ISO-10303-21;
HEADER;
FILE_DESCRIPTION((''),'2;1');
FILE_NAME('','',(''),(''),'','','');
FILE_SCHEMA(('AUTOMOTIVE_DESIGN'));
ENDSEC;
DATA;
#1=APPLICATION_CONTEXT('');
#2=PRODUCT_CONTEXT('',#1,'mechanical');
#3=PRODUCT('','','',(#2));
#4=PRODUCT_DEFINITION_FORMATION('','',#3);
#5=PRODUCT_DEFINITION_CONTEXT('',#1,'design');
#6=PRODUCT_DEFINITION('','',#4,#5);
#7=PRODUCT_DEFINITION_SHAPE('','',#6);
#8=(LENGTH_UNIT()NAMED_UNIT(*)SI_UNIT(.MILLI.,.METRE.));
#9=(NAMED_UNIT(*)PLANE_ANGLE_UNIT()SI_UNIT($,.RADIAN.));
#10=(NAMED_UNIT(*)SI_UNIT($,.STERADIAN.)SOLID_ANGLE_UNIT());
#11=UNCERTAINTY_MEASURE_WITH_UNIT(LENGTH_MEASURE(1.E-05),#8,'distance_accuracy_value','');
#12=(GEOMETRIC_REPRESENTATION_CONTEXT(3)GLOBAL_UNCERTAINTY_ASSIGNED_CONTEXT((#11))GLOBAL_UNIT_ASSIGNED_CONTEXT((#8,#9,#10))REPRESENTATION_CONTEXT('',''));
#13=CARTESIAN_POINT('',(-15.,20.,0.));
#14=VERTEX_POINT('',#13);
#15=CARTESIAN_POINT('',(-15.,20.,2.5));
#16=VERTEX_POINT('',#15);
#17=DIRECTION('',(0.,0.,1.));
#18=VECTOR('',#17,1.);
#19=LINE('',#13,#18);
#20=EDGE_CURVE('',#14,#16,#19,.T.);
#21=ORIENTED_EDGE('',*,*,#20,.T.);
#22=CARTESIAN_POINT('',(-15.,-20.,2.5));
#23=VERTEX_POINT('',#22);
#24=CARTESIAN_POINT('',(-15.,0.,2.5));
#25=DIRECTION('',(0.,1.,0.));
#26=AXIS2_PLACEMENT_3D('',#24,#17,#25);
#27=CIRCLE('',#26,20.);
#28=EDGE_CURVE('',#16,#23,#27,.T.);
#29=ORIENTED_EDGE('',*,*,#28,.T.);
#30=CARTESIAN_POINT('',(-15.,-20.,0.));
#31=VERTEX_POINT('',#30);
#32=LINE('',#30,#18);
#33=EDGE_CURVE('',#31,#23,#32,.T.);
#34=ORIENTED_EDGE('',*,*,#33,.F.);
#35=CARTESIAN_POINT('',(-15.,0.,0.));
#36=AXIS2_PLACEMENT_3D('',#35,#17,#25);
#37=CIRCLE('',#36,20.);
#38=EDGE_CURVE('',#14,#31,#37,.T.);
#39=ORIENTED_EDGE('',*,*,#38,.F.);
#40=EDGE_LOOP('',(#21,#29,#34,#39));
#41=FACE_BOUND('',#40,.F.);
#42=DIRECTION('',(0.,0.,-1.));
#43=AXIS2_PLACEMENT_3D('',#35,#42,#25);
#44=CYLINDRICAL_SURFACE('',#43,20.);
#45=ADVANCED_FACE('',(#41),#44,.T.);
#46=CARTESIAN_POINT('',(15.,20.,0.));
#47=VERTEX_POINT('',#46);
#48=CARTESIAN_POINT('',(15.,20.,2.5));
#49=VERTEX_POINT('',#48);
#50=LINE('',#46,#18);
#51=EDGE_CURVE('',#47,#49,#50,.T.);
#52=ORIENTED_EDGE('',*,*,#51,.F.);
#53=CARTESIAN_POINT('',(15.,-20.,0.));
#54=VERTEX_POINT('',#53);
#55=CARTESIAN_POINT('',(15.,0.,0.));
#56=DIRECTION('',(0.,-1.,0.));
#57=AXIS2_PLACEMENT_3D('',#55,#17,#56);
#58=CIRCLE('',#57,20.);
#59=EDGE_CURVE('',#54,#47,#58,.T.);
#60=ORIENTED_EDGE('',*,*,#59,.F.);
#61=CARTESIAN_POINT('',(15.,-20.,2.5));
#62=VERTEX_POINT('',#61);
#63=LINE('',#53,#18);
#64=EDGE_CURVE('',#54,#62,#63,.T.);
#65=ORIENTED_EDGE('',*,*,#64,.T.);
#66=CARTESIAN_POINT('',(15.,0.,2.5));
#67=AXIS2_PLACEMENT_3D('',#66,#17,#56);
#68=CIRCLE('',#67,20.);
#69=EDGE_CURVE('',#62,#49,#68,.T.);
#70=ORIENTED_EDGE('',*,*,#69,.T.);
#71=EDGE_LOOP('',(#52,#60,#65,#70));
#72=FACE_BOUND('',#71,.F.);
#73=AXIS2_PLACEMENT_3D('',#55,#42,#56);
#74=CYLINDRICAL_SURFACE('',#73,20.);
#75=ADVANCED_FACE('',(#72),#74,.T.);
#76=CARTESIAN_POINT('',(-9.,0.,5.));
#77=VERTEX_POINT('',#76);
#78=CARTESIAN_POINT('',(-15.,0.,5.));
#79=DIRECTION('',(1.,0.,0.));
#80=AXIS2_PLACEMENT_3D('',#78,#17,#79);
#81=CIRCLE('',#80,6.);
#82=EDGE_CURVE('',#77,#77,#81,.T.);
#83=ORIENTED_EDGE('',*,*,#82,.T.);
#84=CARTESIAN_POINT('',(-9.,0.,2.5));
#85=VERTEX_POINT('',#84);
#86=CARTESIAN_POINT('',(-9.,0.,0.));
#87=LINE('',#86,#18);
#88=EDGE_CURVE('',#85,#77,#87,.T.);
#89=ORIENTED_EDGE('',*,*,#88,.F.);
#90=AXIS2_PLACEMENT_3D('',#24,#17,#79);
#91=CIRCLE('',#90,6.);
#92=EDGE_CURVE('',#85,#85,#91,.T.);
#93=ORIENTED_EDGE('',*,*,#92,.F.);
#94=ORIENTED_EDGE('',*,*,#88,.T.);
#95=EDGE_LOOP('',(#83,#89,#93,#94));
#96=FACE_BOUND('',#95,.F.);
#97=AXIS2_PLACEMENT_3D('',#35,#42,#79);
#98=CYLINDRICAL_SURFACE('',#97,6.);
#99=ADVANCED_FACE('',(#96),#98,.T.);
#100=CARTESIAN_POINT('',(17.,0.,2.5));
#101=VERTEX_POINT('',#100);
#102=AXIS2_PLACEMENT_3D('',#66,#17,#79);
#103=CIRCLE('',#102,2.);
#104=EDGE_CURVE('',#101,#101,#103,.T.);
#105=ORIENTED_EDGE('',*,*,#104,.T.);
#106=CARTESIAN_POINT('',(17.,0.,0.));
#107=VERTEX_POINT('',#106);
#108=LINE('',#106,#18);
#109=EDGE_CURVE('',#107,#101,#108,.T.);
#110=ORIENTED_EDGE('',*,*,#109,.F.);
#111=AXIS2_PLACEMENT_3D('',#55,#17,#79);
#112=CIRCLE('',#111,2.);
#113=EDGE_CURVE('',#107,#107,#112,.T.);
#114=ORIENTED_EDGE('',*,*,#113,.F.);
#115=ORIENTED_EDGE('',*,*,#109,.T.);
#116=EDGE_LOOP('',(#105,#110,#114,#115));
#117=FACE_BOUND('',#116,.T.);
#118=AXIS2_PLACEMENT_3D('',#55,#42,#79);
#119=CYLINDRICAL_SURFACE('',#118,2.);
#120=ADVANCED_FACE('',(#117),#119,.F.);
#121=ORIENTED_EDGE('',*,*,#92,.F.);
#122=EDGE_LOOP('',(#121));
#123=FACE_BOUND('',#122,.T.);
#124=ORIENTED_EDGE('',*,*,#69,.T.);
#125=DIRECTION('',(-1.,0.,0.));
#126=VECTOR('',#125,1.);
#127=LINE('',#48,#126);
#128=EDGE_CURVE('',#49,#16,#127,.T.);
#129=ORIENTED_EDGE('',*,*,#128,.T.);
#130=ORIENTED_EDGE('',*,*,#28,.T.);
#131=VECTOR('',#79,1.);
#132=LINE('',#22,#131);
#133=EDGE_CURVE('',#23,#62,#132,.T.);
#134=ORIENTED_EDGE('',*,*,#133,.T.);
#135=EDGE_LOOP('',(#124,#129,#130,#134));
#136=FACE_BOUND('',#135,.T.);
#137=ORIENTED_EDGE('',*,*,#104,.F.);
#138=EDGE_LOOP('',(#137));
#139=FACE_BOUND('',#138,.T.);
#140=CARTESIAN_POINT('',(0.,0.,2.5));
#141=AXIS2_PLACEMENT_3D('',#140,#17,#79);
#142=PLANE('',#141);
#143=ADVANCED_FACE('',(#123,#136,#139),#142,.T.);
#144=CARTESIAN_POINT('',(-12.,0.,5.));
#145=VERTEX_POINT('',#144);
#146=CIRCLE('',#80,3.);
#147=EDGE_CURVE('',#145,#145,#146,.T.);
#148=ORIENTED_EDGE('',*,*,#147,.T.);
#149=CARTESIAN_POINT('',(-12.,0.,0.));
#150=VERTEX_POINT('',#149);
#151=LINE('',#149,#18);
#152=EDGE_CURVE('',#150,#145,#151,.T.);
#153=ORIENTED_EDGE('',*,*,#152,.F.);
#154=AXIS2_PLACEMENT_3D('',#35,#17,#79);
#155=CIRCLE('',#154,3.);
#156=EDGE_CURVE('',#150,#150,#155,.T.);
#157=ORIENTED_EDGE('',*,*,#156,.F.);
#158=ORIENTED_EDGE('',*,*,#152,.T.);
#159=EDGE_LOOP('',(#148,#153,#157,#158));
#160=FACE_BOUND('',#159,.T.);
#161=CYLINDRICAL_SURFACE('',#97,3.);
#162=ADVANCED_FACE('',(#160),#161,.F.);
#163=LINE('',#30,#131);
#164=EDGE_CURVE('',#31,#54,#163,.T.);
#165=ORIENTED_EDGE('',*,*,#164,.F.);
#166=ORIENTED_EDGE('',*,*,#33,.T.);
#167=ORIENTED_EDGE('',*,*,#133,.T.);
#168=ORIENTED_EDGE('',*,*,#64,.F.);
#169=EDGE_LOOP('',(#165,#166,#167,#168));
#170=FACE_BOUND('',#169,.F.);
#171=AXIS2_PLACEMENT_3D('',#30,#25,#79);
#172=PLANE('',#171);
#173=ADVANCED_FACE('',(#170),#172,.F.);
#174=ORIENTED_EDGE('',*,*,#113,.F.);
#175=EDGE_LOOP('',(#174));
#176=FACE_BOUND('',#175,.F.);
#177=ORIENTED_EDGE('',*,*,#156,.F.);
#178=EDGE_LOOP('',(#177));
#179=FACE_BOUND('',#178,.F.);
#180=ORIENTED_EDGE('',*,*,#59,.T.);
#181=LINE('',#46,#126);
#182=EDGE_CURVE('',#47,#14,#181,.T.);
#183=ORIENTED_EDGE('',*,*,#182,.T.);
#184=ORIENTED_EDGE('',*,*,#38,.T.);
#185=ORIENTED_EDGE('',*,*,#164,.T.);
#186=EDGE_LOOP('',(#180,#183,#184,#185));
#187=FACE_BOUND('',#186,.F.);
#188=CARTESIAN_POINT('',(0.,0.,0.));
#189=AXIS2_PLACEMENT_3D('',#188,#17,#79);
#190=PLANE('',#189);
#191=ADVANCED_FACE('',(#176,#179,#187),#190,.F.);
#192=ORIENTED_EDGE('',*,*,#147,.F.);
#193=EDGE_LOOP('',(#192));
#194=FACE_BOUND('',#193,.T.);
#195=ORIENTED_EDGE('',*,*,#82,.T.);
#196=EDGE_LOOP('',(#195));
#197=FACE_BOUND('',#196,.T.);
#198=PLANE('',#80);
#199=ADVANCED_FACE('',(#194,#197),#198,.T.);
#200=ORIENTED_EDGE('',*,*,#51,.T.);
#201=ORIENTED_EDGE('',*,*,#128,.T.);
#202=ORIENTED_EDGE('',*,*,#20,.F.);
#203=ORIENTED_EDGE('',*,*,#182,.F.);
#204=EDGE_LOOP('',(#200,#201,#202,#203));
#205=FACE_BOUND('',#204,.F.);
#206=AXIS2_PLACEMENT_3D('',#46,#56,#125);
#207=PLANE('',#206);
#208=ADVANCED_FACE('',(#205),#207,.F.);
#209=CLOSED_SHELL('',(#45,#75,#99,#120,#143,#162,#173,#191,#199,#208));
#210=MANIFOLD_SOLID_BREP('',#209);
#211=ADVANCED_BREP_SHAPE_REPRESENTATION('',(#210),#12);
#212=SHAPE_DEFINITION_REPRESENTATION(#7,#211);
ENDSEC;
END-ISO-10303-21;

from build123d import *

# Parameters (mm, degrees)
F0_R     = 6
F0_R_2   = 2
F1_DEPTH = 2.5
F0_R_3   = 3
F2_DEPTH = 5


with BuildPart() as f1:
    # F0 (on Top) → F1 (new body)
    with BuildSketch(Plane.XY):
        with BuildLine():
            Line((15, 20), (-15, 20))
            ThreePointArc((-15, 20), (-35, 0), (-15, -20))
            Line((-15, -20), (15, -20))
            ThreePointArc((15, -20), (35, 0), (15, 20))
        make_face()
        with Locations((-15, 0)):
            Circle(F0_R, mode=Mode.SUBTRACT)
        with Locations((15, 0)):
            Circle(F0_R_2, mode=Mode.SUBTRACT)
    extrude(amount=F1_DEPTH)

    # F0 (on Top) → F2 (join)
    with BuildSketch(Plane.XY):
        with Locations((-15, 0)):
            Circle(F0_R)
        with Locations((-15, 0)):
            Circle(F0_R_3, mode=Mode.SUBTRACT)
    extrude(amount=F2_DEPTH)


solid = f1.part
